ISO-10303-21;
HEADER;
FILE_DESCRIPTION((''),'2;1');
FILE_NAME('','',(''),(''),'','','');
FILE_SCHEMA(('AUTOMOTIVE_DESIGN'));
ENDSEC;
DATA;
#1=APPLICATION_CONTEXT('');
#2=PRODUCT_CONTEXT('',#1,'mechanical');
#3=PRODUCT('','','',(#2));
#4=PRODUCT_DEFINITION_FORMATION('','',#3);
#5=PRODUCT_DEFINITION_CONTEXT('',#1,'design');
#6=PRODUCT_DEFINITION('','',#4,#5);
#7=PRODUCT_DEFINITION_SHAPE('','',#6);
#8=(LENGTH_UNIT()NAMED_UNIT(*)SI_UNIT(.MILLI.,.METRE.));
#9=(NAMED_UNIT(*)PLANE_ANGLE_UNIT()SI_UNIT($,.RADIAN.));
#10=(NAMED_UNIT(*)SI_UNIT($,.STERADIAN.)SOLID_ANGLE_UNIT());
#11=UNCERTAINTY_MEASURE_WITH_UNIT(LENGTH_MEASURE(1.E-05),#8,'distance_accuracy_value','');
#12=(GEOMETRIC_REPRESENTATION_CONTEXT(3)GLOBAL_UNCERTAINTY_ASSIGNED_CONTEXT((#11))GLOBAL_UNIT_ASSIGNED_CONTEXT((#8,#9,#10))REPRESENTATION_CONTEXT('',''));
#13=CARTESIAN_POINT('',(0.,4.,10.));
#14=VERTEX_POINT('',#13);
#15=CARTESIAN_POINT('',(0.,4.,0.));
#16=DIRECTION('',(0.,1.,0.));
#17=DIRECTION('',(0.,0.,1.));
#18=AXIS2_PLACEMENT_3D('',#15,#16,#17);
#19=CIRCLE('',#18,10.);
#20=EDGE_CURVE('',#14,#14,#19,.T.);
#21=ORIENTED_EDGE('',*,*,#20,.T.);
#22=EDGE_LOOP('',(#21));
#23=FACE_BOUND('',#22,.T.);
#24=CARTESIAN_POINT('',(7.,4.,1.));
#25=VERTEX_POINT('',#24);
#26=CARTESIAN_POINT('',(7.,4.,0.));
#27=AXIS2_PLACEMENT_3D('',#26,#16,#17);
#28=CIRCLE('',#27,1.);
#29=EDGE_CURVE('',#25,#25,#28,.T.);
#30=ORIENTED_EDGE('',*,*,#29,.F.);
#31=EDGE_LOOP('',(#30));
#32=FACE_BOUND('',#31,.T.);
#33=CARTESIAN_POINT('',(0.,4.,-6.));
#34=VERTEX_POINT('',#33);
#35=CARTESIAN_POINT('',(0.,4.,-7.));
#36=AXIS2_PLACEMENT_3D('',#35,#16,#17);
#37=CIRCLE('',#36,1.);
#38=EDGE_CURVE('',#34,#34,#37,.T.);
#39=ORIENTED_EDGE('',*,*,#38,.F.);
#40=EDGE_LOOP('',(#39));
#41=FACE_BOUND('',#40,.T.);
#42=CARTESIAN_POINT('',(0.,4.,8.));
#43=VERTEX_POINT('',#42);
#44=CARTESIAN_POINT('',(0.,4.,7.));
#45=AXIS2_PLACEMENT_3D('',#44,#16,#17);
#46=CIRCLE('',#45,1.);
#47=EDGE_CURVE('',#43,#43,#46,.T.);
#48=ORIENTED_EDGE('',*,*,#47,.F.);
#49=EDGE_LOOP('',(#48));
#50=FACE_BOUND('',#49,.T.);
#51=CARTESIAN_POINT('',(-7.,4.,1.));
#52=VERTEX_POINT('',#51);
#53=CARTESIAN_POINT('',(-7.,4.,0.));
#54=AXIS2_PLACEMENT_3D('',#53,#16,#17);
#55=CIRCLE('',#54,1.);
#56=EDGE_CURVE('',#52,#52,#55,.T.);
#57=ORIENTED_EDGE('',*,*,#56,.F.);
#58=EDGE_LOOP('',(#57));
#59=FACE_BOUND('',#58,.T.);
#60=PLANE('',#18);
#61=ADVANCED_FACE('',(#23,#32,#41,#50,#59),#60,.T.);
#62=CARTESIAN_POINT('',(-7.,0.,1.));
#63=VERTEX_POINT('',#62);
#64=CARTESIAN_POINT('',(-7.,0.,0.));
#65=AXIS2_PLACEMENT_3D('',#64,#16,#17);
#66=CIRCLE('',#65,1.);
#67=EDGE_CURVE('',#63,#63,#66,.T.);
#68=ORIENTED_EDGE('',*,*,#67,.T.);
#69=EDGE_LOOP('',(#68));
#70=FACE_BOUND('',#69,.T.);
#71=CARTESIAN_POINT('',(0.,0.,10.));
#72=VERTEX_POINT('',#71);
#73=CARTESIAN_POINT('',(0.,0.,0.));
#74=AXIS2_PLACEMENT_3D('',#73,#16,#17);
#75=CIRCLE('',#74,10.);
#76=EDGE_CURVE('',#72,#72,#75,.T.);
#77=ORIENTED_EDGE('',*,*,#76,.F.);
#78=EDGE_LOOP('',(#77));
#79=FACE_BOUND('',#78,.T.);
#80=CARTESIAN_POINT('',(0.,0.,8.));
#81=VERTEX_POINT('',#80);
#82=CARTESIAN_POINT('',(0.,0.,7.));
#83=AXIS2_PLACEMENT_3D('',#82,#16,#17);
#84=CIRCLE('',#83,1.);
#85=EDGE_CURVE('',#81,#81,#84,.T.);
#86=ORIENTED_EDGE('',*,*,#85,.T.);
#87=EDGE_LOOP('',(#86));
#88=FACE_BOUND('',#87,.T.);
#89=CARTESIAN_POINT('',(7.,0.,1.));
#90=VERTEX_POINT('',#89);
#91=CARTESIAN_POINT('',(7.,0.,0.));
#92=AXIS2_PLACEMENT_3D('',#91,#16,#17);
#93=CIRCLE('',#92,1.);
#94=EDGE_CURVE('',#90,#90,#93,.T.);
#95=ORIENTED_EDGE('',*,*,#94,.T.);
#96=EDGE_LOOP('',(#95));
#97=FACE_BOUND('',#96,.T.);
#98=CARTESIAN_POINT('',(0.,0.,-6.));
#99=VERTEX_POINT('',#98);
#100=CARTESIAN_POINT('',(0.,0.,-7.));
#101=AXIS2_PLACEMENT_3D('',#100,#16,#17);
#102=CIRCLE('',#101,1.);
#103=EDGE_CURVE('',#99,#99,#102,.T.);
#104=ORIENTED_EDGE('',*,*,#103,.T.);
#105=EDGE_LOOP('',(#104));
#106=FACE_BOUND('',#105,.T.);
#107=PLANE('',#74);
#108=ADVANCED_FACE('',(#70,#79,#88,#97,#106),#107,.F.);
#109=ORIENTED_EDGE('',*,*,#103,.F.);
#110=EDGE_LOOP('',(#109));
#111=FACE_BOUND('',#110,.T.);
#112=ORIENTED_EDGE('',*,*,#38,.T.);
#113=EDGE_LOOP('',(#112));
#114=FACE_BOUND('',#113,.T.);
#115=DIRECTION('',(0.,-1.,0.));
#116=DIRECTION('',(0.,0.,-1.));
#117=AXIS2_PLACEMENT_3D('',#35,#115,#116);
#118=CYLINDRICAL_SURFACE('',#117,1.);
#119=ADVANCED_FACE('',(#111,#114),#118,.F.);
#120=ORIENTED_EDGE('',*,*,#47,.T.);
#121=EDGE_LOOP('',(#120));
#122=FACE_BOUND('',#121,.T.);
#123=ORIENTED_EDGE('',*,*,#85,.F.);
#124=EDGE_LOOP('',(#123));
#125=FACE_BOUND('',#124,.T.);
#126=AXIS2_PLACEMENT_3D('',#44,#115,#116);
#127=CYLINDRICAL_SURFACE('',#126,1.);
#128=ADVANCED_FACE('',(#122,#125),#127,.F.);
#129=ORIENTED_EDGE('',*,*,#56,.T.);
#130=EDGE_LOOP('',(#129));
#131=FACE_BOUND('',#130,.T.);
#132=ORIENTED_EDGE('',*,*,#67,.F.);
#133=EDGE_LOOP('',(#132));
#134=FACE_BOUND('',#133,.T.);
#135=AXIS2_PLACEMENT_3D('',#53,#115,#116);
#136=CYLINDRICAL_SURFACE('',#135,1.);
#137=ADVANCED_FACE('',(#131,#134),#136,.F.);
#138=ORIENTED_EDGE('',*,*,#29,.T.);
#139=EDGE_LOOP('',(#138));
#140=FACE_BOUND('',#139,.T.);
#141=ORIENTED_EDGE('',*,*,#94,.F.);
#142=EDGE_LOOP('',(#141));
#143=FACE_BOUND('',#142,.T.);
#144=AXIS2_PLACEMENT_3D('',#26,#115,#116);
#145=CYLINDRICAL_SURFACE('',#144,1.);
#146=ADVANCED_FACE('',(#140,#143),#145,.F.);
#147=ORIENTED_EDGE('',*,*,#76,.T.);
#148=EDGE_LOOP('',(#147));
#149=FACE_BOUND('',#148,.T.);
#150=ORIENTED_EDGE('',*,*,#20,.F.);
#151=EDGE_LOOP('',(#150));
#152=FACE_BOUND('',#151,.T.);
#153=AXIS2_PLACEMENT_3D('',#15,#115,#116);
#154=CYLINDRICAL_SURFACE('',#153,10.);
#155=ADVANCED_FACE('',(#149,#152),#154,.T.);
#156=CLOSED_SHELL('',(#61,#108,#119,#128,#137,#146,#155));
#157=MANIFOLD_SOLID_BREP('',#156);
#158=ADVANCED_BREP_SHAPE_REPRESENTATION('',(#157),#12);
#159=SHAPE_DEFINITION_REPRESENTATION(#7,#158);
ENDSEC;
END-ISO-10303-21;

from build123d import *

# Parameters (mm, degrees)
SKETCH_1_R      = 10
SKETCH_1_R_2    = 1
EXTRUDE_1_DEPTH = 4


with BuildPart() as part:
    # Эскиз1 → Бобышка-Вытянуть1 (new body)
    with BuildSketch(Plane(origin=(0, 0, 0), x_dir=(1, 0, 0), z_dir=(0, 1, 0))):
        with Locations(Location((0, 0, 0), (0, 0, 270))):
            Circle(SKETCH_1_R)
        with Locations(Location((0, 7, 0), (0, 0, 270))):
            Circle(SKETCH_1_R_2, mode=Mode.SUBTRACT)
        with Locations(Location((7, 0, 0), (0, 0, 270))):
            Circle(SKETCH_1_R_2, mode=Mode.SUBTRACT)
        with Locations(Location((0, -7, 0), (0, 0, 270))):
            Circle(SKETCH_1_R_2, mode=Mode.SUBTRACT)
        with Locations(Location((-7, 0, 0), (0, 0, 270))):
            Circle(SKETCH_1_R_2, mode=Mode.SUBTRACT)
    extrude(amount=EXTRUDE_1_DEPTH)


solid = part.part
